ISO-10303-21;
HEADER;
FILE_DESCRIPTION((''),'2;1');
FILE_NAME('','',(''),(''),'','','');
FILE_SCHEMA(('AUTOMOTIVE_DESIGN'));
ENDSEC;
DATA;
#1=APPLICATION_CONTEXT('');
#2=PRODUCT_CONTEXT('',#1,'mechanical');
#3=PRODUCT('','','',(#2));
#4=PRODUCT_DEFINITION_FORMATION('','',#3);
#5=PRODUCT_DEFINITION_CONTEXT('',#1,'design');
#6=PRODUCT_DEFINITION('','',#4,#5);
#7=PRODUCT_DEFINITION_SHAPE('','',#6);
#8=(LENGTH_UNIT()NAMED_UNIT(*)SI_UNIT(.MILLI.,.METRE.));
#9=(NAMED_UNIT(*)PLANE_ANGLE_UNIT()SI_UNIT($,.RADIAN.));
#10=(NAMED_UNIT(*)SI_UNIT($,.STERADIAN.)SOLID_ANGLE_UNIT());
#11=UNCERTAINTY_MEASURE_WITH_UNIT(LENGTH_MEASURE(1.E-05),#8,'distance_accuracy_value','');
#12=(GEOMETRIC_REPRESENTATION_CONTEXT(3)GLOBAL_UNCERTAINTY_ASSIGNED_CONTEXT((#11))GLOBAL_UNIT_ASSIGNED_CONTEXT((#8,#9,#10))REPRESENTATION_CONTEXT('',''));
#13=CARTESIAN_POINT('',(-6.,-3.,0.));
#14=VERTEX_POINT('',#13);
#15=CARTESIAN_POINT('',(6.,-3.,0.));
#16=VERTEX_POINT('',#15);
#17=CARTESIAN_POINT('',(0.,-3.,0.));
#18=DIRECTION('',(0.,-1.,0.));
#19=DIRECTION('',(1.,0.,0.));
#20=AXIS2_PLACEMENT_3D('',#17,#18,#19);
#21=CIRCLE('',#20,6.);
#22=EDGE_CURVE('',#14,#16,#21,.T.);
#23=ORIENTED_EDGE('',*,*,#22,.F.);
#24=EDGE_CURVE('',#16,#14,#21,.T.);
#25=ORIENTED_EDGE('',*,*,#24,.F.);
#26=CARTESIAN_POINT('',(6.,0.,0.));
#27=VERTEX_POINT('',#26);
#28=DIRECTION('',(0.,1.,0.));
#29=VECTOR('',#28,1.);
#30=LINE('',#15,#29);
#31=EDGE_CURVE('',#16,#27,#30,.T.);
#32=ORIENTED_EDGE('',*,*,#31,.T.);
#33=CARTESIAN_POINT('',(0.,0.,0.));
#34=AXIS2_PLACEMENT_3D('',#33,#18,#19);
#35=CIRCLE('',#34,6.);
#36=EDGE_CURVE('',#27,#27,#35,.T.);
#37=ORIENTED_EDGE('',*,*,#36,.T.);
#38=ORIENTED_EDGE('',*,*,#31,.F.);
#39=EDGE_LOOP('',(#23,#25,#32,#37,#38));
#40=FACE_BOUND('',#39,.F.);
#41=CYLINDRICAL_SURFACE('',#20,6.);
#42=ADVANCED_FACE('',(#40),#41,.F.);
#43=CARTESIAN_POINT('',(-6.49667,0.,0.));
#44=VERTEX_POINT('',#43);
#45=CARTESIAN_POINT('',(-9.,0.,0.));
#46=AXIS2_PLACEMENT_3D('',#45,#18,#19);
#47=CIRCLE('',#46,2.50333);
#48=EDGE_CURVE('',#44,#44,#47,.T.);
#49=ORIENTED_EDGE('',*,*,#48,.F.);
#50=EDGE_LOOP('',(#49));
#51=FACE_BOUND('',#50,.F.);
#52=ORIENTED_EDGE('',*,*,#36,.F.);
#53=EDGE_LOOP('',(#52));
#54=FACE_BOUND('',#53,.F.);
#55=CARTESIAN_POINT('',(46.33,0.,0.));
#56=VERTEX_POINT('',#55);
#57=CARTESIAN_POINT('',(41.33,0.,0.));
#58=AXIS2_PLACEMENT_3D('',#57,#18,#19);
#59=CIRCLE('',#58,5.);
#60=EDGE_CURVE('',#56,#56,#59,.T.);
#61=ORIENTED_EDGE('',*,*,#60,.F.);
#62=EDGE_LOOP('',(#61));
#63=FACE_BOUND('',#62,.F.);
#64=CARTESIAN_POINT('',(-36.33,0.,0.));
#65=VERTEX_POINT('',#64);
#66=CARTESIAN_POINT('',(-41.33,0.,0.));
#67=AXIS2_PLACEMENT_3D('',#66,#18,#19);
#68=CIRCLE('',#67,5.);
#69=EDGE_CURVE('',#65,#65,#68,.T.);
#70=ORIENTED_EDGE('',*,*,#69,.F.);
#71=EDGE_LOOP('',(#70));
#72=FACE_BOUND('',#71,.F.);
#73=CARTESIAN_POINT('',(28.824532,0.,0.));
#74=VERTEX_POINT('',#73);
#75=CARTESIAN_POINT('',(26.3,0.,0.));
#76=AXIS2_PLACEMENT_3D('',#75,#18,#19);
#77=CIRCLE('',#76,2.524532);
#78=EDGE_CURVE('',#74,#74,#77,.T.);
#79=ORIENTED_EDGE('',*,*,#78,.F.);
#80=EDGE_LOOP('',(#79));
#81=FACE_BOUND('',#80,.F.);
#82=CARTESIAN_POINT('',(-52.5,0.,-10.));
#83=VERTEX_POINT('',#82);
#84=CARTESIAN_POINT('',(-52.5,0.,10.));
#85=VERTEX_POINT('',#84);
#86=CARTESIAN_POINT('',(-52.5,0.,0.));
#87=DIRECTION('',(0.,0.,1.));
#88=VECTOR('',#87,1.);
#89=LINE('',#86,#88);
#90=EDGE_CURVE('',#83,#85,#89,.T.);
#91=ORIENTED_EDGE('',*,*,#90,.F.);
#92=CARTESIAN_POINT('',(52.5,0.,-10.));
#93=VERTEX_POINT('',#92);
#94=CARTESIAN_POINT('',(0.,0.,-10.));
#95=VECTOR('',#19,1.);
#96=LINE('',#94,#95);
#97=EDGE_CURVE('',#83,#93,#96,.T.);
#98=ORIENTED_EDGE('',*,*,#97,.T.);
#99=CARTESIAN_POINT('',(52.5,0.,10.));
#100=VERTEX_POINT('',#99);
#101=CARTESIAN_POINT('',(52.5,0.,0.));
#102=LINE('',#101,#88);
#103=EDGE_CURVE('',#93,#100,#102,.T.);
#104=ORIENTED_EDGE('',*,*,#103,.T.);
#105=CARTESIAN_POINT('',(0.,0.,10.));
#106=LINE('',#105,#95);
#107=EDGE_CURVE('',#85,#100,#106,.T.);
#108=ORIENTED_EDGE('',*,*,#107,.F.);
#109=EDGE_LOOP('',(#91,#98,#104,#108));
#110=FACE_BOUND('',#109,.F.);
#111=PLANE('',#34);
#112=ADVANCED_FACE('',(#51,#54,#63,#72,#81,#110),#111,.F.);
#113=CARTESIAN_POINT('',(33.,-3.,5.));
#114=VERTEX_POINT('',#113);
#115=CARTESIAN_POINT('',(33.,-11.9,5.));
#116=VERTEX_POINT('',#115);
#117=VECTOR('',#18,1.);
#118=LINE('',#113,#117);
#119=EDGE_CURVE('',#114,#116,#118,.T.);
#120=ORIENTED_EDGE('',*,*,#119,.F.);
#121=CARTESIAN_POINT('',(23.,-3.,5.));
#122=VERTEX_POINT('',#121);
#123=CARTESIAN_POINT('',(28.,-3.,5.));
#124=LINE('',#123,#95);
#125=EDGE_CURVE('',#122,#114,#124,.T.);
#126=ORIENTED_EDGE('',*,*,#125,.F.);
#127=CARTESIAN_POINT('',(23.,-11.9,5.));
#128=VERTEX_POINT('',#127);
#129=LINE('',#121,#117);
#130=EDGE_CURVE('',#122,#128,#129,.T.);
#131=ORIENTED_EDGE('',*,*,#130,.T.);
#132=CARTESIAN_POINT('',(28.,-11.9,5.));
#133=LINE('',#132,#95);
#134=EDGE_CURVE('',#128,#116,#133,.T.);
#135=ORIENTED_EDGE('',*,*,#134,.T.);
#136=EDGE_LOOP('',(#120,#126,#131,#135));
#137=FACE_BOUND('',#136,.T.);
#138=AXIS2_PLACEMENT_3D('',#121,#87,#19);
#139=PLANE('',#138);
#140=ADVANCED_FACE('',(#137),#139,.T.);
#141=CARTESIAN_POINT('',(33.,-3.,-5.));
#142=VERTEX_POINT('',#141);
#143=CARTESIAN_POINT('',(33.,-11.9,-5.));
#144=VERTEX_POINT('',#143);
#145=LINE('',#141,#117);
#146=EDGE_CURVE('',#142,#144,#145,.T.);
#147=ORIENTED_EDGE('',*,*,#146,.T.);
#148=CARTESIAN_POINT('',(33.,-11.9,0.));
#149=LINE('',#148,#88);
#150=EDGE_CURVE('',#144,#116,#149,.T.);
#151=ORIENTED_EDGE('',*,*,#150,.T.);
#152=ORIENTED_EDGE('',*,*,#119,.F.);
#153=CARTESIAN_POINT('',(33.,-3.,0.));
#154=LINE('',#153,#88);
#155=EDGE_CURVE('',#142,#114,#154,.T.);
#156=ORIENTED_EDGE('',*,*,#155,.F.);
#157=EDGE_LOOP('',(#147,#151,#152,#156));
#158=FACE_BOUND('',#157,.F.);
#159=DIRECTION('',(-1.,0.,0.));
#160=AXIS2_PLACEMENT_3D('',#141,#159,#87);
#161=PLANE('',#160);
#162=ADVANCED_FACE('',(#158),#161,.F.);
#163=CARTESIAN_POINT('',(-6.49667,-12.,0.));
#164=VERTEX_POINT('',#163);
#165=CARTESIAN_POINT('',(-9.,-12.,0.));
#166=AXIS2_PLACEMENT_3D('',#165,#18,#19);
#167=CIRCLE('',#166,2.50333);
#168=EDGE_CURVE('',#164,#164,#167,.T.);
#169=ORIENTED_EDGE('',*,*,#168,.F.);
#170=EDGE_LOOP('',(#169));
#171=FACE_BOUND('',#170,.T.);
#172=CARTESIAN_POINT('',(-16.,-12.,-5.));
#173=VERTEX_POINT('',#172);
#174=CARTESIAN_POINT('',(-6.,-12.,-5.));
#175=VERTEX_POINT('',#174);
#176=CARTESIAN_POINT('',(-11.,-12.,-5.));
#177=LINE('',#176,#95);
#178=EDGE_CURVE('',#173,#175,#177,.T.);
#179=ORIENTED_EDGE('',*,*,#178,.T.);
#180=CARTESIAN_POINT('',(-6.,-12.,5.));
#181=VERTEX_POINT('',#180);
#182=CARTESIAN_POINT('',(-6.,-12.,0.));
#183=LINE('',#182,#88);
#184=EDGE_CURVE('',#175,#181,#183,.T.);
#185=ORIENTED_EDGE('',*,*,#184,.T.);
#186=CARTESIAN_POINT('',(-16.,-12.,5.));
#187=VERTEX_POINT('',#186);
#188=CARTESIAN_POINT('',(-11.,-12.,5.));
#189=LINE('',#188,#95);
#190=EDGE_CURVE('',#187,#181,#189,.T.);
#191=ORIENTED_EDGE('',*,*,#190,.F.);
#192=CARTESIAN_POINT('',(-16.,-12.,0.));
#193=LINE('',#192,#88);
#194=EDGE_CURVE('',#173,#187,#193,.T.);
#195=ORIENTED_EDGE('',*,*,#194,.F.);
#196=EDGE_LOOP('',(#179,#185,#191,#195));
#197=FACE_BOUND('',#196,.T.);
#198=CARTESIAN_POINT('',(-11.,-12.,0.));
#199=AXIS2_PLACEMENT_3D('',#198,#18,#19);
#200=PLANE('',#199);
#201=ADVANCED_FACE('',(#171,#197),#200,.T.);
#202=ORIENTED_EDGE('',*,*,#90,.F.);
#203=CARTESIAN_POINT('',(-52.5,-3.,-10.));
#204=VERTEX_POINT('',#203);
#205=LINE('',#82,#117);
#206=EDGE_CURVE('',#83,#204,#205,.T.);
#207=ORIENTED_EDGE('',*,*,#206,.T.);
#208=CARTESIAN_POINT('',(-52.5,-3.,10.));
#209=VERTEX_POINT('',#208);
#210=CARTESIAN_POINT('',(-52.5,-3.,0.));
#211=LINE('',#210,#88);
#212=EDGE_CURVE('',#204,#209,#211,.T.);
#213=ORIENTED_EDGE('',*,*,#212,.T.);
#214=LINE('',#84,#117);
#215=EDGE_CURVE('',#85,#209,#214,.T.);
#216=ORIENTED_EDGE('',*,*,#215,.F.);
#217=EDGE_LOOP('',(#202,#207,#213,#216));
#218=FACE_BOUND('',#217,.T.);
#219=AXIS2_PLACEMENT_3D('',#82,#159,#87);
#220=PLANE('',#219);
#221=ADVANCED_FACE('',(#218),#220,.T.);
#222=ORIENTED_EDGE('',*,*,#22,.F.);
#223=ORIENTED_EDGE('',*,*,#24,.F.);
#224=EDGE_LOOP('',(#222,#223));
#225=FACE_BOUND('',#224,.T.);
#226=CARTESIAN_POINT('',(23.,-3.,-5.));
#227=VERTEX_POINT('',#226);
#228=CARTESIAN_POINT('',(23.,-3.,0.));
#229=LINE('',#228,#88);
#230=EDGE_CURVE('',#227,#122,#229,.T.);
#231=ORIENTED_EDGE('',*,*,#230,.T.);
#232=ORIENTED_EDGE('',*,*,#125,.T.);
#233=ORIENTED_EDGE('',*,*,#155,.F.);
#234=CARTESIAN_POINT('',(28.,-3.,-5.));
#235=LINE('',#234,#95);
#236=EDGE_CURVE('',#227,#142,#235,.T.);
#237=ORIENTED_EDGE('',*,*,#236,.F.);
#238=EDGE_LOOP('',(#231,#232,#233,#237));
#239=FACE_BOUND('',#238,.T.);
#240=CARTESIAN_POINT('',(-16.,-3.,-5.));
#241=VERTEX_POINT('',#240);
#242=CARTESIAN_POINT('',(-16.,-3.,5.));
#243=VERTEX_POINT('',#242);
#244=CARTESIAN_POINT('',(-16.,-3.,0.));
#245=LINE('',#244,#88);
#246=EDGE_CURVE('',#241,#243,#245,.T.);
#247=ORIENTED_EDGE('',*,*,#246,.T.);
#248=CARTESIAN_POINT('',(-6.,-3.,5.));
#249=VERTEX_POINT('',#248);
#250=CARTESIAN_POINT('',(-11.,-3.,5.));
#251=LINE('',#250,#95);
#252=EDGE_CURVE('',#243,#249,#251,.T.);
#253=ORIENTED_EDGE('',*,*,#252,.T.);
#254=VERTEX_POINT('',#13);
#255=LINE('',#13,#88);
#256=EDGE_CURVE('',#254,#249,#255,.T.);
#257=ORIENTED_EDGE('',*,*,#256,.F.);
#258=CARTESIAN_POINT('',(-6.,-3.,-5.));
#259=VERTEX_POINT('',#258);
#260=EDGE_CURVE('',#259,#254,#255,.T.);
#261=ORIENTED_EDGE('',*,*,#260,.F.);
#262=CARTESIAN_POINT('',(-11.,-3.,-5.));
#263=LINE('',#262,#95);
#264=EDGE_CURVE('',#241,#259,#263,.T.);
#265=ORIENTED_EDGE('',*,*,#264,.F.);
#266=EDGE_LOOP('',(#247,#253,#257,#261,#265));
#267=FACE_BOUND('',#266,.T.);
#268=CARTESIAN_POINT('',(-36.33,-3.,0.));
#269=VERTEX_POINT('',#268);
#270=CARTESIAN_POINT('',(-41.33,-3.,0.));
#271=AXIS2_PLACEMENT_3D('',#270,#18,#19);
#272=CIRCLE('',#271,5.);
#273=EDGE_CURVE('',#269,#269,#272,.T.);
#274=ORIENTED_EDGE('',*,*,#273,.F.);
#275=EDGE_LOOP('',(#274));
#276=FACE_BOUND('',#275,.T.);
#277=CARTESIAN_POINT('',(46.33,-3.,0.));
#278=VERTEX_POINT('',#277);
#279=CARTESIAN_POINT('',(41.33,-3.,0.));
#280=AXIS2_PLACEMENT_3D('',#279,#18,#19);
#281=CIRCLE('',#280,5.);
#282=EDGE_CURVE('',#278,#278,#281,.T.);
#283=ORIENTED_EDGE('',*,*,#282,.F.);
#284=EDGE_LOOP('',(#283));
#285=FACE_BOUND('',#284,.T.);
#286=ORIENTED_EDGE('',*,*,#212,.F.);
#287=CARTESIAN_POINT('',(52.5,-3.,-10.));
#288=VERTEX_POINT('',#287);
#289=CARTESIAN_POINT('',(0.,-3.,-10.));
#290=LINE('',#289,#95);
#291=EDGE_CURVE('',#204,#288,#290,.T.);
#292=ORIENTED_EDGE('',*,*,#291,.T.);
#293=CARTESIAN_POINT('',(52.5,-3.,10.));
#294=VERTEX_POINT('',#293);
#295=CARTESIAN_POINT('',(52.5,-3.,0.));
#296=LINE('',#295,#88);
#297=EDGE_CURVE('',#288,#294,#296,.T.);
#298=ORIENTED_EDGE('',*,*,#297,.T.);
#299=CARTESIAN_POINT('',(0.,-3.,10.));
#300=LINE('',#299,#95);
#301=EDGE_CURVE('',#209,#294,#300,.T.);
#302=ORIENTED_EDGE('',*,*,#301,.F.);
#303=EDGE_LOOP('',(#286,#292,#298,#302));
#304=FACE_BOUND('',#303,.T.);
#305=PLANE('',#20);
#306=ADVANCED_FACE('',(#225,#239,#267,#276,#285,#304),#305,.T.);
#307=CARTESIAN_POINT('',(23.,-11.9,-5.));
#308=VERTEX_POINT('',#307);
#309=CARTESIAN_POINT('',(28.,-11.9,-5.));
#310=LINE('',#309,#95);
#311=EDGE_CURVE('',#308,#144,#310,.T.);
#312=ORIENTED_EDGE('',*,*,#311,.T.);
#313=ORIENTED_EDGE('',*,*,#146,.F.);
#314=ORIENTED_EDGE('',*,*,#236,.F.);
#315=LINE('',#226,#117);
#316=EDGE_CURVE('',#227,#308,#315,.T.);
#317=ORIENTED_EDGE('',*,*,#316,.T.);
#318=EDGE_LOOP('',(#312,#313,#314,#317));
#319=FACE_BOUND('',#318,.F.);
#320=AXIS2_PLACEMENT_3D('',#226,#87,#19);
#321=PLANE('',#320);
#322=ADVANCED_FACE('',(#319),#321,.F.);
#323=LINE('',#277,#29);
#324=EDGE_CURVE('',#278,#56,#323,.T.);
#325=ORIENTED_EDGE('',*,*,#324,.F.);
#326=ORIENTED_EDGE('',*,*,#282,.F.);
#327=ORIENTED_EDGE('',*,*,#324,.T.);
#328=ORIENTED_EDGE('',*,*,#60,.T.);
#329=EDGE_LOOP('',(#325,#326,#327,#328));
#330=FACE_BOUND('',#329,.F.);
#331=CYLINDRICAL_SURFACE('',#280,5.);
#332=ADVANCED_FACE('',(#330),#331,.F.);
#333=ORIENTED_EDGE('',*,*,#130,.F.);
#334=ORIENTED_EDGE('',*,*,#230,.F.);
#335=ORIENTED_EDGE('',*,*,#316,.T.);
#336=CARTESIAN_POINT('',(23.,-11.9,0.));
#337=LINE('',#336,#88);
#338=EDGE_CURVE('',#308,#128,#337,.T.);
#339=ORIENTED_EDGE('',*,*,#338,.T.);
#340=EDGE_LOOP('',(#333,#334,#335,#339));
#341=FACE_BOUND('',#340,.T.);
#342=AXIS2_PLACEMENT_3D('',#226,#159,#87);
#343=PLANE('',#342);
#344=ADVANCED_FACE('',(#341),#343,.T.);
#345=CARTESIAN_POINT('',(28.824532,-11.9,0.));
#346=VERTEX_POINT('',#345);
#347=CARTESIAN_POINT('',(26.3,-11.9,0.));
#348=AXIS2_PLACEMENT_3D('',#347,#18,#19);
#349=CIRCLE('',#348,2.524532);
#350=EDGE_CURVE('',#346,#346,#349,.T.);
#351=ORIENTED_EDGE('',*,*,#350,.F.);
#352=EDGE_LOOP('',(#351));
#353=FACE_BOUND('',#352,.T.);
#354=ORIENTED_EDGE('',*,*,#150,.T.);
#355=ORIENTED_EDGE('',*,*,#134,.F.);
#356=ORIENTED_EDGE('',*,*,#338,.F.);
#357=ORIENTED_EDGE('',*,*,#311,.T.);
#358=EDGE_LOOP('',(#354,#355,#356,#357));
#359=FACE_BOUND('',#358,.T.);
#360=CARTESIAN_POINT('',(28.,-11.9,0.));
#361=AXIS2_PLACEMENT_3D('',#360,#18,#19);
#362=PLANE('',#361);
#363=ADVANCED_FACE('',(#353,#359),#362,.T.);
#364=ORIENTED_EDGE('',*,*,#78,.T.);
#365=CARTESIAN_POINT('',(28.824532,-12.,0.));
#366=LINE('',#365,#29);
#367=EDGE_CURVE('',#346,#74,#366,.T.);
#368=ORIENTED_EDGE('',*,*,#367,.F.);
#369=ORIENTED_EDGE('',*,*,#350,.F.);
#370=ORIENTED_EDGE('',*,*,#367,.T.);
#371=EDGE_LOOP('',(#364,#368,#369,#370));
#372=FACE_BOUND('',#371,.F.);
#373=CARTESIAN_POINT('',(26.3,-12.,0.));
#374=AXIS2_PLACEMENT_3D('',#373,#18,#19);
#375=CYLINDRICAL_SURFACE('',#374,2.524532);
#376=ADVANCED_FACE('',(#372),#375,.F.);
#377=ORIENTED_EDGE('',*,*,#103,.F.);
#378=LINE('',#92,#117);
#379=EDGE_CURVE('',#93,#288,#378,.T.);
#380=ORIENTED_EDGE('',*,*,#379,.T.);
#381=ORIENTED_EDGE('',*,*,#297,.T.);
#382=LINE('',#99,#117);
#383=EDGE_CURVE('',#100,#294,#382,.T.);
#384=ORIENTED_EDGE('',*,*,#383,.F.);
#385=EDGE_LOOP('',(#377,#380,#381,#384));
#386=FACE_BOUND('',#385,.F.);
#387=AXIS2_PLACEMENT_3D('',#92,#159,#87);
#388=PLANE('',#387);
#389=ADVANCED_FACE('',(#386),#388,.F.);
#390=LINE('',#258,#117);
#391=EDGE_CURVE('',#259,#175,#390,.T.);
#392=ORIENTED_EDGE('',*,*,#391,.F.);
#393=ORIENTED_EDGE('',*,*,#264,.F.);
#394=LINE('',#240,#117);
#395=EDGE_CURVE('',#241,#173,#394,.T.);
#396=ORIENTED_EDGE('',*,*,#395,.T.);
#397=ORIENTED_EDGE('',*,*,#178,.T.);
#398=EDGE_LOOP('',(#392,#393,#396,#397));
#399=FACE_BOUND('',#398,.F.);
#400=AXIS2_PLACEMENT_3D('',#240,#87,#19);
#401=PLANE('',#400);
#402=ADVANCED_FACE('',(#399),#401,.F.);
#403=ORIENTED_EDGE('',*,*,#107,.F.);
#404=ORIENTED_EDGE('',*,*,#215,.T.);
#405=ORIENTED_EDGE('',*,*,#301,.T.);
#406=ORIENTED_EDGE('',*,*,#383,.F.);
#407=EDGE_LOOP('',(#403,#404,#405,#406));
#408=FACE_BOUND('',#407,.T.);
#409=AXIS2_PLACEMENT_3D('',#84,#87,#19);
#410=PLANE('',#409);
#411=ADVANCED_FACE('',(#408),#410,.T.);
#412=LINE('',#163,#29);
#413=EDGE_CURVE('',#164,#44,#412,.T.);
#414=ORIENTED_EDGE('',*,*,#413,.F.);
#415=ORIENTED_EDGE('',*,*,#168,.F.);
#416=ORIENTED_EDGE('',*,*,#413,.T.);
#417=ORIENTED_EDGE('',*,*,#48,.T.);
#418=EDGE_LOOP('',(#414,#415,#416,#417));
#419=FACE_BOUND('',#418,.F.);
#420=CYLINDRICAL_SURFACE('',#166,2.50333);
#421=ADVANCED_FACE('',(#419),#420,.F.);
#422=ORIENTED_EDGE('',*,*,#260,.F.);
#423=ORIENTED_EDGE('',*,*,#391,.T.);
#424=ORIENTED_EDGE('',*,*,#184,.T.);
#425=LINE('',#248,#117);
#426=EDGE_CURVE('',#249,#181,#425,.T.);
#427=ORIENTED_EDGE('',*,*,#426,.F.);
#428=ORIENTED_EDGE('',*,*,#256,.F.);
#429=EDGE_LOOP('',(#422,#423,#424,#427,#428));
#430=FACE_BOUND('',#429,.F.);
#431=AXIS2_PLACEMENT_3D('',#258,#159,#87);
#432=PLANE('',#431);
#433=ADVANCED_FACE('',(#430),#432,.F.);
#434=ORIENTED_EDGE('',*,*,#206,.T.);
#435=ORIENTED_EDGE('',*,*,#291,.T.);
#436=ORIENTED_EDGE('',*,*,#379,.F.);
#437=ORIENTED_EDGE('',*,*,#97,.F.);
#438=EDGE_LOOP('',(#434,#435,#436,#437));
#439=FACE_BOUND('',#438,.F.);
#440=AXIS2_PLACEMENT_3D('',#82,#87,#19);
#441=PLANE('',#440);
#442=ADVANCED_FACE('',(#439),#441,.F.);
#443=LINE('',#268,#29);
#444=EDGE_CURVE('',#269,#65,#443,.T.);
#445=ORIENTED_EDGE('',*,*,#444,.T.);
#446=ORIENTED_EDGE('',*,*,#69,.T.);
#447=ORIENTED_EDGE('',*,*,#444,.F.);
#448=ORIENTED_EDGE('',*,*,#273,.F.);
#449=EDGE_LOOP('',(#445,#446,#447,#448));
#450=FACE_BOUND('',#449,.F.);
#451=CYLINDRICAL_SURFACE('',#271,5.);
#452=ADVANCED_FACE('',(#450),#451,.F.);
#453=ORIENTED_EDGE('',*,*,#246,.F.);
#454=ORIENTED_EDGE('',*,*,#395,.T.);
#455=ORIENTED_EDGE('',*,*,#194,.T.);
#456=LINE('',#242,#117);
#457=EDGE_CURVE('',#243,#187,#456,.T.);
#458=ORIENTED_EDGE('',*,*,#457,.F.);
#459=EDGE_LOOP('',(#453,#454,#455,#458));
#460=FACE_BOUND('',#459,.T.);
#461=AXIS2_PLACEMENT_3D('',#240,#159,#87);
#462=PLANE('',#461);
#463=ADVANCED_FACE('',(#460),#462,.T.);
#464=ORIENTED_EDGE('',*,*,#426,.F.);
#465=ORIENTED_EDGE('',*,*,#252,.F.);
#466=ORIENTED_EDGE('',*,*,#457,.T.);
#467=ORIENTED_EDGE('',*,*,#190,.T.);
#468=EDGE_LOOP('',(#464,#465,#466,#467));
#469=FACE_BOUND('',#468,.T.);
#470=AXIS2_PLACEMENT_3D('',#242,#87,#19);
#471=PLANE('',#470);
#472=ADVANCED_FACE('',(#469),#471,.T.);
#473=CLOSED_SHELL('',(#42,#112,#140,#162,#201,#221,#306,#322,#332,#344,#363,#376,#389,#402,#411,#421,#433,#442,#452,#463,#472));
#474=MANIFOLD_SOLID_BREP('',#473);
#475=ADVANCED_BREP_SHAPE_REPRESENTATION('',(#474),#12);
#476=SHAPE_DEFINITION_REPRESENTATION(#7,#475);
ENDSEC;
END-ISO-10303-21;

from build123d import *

# Parameters (mm, degrees)
F0_W     = 105
F0_H     = 20
F1_DEPTH = 3
F2_R     = 6
F2_R_2   = 5
F3_DEPTH = 25
F5_W     = 10
F5_H     = 10
F6_DEPTH = 8.9
F4_W     = 10
F4_H     = 10
F7_DEPTH = 9
F8_R     = 2.50333
F8_R_2   = 2.524532
F9_DEPTH = 25


with BuildPart() as f1:
    # F0 (on Front) → F1 (new body)
    with BuildSketch(Plane.XZ):
        Rectangle(F0_W, F0_H)
    extrude(amount=F1_DEPTH)

    # F2 (on face) → F3 (cut)
    with BuildSketch(Plane.XZ.offset(3)):
        Circle(F2_R)
        with Locations((-41.33, 0)):
            Circle(F2_R_2)
        with Locations((41.33, 0)):
            Circle(F2_R_2)
    extrude(amount=-F3_DEPTH, mode=Mode.SUBTRACT)

    # F5 (on face) → F6 (join)
    with BuildSketch(Plane.XZ.offset(3)):
        with Locations((28, 0)):
            Rectangle(F5_W, F5_H)
    extrude(amount=F6_DEPTH)

    # F4 (on face) → F7 (join)
    with BuildSketch(Plane.XZ.offset(3)):
        with Locations((-11, 0)):
            Rectangle(F4_W, F4_H)
    extrude(amount=F7_DEPTH)

    # F8 (on face) → F9 (cut)
    with BuildSketch(Plane.XZ.offset(12)):
        with Locations((-9, 0)):
            Circle(F8_R)
        with Locations((26.3, 0)):
            Circle(F8_R_2)
    extrude(amount=-F9_DEPTH, mode=Mode.SUBTRACT)


solid = f1.part
